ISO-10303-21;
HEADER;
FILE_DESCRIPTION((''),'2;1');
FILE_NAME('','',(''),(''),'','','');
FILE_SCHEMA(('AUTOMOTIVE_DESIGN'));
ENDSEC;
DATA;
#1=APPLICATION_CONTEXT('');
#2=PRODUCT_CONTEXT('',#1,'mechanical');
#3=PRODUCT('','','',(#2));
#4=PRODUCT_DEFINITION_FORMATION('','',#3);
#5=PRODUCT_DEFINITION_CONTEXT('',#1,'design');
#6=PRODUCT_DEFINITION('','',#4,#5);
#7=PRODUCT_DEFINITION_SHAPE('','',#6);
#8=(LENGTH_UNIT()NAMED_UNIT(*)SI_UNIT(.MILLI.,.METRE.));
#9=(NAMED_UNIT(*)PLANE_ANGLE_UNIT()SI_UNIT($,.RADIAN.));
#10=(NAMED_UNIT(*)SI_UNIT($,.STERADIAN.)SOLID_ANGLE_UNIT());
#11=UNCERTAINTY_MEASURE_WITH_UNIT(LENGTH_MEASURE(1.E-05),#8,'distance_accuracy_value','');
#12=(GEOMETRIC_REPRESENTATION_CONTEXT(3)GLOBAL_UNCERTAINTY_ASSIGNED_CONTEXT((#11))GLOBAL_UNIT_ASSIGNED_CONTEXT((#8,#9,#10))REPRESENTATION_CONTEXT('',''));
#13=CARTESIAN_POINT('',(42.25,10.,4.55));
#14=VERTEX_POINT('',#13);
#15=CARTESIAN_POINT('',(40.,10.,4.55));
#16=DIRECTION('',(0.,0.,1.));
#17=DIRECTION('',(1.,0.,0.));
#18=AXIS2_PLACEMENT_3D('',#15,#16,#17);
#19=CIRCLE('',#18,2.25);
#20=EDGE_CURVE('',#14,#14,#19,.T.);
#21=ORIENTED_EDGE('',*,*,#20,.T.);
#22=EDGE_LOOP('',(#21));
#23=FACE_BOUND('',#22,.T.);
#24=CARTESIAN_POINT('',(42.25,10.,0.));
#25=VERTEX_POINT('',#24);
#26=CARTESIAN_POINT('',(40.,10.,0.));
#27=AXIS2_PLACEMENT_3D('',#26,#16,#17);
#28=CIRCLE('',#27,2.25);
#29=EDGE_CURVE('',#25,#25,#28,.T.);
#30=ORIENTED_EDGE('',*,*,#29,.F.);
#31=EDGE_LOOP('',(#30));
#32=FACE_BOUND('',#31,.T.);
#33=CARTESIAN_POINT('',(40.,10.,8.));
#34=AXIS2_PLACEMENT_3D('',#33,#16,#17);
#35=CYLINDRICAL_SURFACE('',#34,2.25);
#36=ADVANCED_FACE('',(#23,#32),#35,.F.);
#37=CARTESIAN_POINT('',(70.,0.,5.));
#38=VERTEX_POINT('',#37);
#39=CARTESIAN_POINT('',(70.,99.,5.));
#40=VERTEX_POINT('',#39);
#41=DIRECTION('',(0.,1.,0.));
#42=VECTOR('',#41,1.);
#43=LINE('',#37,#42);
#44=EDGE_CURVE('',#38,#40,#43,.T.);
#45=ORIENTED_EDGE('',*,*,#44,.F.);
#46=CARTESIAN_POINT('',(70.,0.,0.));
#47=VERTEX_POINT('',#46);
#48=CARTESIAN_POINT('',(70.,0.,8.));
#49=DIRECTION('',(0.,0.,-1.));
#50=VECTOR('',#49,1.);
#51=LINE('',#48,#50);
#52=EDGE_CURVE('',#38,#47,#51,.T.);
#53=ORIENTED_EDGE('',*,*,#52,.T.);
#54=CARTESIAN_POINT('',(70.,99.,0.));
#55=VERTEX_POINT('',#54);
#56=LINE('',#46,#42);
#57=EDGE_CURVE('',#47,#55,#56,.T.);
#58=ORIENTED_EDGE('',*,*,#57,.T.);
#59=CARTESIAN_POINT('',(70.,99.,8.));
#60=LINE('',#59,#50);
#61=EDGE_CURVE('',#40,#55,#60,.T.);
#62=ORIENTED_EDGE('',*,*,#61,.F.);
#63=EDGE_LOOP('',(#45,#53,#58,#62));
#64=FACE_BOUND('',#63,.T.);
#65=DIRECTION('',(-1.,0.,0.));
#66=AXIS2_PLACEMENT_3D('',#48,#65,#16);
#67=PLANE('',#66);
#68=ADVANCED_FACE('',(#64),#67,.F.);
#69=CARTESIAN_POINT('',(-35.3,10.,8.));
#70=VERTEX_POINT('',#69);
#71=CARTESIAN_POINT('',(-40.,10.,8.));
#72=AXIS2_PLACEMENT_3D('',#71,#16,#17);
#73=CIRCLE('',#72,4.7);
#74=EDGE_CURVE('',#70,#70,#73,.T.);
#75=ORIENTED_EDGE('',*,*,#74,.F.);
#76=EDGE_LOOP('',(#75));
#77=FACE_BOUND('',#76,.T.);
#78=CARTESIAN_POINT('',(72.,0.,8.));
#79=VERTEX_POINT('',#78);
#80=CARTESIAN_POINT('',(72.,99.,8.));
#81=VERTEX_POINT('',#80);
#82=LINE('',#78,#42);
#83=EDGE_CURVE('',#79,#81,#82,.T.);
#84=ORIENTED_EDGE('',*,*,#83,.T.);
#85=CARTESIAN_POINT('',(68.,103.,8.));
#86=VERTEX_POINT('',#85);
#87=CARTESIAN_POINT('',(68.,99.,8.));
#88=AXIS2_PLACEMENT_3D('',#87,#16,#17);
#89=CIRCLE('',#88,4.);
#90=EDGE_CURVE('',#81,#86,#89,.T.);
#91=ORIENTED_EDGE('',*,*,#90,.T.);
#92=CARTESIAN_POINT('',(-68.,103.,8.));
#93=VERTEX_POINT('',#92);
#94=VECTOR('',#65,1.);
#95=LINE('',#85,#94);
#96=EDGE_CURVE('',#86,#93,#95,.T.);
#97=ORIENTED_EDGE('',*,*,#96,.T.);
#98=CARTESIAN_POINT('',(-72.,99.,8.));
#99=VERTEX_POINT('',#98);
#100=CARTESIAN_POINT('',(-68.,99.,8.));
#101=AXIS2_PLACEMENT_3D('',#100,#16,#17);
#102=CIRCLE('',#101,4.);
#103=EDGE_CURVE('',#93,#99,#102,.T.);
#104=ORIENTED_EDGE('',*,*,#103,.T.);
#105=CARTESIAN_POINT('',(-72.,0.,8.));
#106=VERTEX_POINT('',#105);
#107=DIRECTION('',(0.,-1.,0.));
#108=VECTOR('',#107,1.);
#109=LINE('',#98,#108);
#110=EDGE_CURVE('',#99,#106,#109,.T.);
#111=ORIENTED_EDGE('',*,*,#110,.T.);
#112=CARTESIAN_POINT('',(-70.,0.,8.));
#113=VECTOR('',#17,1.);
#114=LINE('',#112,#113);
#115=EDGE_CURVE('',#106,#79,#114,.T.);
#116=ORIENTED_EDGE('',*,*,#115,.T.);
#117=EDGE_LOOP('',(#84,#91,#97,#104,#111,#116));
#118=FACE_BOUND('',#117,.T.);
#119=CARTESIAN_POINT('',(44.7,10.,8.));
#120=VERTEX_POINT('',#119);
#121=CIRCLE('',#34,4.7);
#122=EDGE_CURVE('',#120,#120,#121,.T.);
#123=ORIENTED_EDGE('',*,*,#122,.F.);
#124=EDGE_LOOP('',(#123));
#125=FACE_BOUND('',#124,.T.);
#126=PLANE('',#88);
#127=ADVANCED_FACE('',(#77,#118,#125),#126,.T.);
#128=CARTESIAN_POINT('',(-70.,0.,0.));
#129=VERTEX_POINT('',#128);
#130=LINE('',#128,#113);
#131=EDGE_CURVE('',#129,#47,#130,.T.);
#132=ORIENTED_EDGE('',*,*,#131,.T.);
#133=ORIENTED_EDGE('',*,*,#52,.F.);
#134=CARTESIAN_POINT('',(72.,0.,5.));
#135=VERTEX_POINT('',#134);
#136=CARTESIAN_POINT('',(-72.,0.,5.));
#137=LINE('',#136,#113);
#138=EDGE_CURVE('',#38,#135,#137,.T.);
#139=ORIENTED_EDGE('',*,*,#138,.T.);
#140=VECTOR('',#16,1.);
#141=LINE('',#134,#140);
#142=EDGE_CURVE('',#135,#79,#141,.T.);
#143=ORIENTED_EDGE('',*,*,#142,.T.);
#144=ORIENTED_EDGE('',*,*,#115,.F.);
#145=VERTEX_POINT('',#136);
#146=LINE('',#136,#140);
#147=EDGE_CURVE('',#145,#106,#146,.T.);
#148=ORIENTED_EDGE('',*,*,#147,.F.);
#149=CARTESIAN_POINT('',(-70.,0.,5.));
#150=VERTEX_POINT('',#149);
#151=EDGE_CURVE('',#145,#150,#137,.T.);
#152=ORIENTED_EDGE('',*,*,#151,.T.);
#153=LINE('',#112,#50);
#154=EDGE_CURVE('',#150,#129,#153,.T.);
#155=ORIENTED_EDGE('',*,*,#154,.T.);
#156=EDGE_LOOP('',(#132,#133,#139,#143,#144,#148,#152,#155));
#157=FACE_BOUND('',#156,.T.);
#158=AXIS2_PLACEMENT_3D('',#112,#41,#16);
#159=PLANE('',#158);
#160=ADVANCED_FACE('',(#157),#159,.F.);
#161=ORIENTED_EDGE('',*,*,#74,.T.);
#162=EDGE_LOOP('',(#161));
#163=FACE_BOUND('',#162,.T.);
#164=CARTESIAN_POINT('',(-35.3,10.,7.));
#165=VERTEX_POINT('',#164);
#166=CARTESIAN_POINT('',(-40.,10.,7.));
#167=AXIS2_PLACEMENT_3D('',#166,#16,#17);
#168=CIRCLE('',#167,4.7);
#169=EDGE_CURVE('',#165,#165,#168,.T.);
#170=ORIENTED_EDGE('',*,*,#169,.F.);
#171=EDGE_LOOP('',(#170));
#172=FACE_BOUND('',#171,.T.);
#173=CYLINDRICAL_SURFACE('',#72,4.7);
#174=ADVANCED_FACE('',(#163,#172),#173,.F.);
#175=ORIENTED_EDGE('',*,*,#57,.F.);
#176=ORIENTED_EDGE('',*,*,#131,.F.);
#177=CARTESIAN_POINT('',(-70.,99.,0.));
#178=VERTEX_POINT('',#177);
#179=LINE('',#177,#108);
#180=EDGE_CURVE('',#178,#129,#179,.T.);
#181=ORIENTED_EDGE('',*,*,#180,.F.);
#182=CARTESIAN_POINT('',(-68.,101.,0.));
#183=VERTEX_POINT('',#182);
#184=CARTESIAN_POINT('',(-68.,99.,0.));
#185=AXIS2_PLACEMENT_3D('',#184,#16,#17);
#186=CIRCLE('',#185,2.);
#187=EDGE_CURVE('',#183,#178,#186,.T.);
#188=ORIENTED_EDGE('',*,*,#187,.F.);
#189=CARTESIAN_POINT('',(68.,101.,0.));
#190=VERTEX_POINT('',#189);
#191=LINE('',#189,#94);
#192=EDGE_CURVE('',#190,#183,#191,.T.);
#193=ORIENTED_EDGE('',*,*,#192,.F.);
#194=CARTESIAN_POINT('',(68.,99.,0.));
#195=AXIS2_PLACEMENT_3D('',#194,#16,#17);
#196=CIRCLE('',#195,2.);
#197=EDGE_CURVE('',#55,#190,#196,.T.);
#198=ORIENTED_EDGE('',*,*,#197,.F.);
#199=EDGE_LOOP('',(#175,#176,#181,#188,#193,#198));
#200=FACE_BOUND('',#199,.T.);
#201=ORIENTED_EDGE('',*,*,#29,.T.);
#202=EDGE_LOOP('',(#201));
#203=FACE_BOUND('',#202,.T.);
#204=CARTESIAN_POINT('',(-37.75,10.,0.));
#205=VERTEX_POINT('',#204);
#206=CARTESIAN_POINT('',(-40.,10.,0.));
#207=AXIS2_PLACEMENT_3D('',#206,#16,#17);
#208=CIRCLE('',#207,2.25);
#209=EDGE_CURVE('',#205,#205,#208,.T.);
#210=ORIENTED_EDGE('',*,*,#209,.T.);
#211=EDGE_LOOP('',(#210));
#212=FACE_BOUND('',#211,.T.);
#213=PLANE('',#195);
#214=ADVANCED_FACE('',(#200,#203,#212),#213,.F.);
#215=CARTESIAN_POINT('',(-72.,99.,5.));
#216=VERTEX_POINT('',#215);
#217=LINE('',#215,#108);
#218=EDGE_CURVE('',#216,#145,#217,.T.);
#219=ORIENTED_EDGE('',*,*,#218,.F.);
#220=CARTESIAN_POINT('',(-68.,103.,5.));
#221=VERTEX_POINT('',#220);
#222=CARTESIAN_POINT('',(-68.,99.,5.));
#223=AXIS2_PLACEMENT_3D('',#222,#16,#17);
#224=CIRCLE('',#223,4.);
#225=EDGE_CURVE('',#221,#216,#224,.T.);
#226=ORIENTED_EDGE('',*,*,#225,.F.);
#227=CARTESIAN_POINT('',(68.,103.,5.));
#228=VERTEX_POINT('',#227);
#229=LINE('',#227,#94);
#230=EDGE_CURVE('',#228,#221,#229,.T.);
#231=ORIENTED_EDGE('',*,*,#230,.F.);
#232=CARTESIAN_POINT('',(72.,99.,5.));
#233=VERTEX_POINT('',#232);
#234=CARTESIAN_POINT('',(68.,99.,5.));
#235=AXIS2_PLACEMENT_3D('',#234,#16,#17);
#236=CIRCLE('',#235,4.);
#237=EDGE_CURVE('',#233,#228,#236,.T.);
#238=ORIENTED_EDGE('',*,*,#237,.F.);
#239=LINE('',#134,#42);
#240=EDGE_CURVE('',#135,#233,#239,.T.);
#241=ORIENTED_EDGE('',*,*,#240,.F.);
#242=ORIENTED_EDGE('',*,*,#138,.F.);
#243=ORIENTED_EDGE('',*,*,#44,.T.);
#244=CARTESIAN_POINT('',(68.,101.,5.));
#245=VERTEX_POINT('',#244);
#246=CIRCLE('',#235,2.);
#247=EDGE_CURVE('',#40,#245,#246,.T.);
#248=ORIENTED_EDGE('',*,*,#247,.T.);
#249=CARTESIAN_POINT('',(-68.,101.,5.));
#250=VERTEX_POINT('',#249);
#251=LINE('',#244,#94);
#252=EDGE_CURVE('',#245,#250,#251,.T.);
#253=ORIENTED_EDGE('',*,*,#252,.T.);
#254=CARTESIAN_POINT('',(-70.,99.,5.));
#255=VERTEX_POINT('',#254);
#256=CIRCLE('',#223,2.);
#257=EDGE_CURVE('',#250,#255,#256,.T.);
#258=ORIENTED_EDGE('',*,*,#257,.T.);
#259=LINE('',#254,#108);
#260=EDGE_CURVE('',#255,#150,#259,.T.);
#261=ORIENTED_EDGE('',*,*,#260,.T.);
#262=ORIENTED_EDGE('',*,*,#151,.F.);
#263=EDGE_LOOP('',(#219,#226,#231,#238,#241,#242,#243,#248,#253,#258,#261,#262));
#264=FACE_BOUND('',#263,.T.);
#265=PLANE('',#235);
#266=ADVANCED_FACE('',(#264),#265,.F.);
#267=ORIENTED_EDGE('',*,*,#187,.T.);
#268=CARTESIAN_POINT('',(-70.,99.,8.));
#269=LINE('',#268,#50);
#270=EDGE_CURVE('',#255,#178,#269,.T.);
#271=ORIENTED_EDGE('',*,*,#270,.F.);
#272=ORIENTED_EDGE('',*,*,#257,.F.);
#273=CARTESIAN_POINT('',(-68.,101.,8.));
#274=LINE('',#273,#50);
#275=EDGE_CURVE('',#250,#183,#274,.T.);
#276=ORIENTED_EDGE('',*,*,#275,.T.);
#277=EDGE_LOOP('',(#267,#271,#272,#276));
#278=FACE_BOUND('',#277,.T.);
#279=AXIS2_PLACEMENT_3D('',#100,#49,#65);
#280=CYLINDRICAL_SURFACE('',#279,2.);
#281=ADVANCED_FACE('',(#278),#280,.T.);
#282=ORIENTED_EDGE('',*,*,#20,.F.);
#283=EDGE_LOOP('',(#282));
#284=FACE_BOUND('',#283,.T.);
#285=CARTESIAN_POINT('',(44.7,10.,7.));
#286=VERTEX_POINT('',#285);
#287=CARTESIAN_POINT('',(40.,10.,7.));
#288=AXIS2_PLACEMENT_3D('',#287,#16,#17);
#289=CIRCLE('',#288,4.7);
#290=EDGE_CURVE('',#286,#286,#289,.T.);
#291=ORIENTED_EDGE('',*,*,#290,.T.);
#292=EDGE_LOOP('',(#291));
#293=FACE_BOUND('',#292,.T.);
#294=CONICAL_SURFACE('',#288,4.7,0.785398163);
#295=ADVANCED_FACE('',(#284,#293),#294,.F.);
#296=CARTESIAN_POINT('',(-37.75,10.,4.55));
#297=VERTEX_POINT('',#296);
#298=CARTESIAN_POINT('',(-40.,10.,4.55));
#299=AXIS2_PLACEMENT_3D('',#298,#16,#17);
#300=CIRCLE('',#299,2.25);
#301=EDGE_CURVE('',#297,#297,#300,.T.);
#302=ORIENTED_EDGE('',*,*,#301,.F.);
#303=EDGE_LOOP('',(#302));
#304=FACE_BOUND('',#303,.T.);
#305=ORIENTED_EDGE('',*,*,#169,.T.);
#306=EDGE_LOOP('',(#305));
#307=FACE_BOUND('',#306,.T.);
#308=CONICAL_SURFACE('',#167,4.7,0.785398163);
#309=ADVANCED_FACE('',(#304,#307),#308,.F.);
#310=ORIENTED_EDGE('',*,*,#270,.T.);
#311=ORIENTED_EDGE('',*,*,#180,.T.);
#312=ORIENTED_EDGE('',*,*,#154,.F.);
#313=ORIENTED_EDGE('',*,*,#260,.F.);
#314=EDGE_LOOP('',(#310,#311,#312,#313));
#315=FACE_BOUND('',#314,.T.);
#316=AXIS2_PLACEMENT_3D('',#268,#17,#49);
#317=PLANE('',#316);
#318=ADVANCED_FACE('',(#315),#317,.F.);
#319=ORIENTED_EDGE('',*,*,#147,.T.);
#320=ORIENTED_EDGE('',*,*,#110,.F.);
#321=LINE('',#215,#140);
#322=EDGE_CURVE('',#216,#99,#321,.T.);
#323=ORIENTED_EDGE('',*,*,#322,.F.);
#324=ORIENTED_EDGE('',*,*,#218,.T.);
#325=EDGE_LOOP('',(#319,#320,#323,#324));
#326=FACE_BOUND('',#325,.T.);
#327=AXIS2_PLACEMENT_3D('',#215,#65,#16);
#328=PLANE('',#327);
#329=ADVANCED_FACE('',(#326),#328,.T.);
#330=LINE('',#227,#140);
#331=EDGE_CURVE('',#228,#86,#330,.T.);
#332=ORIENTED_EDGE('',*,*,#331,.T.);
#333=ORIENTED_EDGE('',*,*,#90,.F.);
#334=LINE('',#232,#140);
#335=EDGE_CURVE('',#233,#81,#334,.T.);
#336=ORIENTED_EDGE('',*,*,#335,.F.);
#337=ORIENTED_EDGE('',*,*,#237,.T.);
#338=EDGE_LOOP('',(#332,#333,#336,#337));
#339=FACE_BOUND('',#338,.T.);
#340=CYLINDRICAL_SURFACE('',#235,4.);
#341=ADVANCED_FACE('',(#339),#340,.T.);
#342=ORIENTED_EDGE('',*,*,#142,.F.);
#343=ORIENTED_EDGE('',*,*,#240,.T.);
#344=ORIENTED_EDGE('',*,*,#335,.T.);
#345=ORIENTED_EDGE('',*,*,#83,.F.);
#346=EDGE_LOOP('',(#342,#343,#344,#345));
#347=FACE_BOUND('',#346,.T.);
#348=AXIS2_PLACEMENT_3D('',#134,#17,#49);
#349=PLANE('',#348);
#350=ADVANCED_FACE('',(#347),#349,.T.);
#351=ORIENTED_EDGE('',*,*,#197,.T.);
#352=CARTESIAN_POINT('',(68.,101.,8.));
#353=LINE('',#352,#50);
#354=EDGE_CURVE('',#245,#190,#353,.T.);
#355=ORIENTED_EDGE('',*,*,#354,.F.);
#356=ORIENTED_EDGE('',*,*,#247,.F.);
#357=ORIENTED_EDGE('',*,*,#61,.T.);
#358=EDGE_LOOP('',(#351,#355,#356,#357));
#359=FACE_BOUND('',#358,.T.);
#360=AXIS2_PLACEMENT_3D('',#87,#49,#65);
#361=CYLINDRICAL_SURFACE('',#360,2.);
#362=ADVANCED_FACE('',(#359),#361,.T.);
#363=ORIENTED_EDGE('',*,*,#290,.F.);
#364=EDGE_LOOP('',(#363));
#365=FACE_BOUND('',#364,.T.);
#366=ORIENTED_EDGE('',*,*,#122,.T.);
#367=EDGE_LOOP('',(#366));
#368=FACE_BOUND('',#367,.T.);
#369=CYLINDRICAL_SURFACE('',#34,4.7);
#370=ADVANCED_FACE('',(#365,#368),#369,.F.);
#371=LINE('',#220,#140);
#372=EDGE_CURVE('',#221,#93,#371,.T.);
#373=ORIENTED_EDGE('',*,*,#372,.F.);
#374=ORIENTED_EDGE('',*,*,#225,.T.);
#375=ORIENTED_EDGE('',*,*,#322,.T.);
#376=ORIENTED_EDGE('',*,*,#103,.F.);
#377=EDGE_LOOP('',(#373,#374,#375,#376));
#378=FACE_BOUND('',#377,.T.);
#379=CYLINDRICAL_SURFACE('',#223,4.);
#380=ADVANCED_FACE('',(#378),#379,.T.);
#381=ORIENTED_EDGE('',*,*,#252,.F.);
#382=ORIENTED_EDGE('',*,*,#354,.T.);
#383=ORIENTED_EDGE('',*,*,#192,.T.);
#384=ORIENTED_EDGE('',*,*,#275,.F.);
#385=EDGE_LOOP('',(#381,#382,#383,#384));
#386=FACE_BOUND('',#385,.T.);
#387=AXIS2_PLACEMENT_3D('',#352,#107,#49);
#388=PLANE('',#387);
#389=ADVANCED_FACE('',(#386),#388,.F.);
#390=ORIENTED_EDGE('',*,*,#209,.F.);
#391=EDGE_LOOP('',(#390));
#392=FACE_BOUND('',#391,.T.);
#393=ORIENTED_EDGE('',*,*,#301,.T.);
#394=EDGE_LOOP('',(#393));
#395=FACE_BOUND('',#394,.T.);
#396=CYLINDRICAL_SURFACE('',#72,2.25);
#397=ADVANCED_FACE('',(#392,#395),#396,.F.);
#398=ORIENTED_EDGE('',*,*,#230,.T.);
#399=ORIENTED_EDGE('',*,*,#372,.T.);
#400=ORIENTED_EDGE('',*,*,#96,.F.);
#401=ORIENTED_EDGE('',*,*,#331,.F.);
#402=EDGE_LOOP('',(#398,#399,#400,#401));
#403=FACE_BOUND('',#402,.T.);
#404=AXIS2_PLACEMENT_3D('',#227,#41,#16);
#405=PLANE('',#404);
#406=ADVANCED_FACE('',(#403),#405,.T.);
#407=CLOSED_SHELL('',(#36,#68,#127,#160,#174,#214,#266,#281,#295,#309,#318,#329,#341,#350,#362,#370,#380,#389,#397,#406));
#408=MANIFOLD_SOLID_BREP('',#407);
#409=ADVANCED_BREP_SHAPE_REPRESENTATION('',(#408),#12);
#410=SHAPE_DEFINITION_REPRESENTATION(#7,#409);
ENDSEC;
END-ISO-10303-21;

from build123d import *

# Parameters (mm, degrees)
BOSS_EXTRUDE1_DEPTH = 8
BOSS_EXTRUDE2_DEPTH = 3


with BuildPart() as part:
    # Sketch1 → Boss-Extrude1 (new body)
    with BuildSketch(Plane.XY):
        with BuildLine():
            Line((70, 0), (70, 99))
            ThreePointArc((70, 99), (69.414213562, 100.414213562), (68, 101))
            Line((68, 101), (-68, 101))
            ThreePointArc((-68, 101), (-69.414213562, 100.414213562), (-70, 99))
            Line((-70, 99), (-70, 0))
            Line((-70, 0), (70, 0))
        make_face()
    extrude(amount=BOSS_EXTRUDE1_DEPTH)

    # Sketch2 → Boss-Extrude2 (add)
    with BuildSketch(Plane.XY.offset(8)):
        with BuildLine():
            Line((72, 0), (72, 99))
            ThreePointArc((72, 99), (70.828427125, 101.828427125), (68, 103))
            Line((68, 103), (-68, 103))
            ThreePointArc((-68, 103), (-70.828427125, 101.828427125), (-72, 99))
            Line((-72, 99), (-72, 0))
            Line((-72, 0), (72, 0))
        make_face()
    extrude(amount=-BOSS_EXTRUDE2_DEPTH)

    # Sketch3 → CSK for M4 Countersunk Flat Head Screw1 (revolve, cut)
    with BuildSketch(Plane(origin=(40, 10, 8), x_dir=(0, -1, 0), z_dir=(1, 0, 0))):
        Polygon((0, 0), (0, 8), (2.25, 8), (2.25, 3.45), (4.7, 1), (4.7, 0), align=None)
    csk_for_m4_countersunk_flat_head_screw1 = revolve(axis=Axis((40, 10, 14.35), (0, 0, -1)), mode=Mode.SUBTRACT)

    # Mirror1: CSK for M4 Countersunk Flat Head Screw1 across plane
    add(csk_for_m4_countersunk_flat_head_screw1.mirror(Plane(origin=(0, 0, 0), x_dir=(0, 0, 1), z_dir=(1, 0, 0))), mode=Mode.SUBTRACT)


solid = part.part
